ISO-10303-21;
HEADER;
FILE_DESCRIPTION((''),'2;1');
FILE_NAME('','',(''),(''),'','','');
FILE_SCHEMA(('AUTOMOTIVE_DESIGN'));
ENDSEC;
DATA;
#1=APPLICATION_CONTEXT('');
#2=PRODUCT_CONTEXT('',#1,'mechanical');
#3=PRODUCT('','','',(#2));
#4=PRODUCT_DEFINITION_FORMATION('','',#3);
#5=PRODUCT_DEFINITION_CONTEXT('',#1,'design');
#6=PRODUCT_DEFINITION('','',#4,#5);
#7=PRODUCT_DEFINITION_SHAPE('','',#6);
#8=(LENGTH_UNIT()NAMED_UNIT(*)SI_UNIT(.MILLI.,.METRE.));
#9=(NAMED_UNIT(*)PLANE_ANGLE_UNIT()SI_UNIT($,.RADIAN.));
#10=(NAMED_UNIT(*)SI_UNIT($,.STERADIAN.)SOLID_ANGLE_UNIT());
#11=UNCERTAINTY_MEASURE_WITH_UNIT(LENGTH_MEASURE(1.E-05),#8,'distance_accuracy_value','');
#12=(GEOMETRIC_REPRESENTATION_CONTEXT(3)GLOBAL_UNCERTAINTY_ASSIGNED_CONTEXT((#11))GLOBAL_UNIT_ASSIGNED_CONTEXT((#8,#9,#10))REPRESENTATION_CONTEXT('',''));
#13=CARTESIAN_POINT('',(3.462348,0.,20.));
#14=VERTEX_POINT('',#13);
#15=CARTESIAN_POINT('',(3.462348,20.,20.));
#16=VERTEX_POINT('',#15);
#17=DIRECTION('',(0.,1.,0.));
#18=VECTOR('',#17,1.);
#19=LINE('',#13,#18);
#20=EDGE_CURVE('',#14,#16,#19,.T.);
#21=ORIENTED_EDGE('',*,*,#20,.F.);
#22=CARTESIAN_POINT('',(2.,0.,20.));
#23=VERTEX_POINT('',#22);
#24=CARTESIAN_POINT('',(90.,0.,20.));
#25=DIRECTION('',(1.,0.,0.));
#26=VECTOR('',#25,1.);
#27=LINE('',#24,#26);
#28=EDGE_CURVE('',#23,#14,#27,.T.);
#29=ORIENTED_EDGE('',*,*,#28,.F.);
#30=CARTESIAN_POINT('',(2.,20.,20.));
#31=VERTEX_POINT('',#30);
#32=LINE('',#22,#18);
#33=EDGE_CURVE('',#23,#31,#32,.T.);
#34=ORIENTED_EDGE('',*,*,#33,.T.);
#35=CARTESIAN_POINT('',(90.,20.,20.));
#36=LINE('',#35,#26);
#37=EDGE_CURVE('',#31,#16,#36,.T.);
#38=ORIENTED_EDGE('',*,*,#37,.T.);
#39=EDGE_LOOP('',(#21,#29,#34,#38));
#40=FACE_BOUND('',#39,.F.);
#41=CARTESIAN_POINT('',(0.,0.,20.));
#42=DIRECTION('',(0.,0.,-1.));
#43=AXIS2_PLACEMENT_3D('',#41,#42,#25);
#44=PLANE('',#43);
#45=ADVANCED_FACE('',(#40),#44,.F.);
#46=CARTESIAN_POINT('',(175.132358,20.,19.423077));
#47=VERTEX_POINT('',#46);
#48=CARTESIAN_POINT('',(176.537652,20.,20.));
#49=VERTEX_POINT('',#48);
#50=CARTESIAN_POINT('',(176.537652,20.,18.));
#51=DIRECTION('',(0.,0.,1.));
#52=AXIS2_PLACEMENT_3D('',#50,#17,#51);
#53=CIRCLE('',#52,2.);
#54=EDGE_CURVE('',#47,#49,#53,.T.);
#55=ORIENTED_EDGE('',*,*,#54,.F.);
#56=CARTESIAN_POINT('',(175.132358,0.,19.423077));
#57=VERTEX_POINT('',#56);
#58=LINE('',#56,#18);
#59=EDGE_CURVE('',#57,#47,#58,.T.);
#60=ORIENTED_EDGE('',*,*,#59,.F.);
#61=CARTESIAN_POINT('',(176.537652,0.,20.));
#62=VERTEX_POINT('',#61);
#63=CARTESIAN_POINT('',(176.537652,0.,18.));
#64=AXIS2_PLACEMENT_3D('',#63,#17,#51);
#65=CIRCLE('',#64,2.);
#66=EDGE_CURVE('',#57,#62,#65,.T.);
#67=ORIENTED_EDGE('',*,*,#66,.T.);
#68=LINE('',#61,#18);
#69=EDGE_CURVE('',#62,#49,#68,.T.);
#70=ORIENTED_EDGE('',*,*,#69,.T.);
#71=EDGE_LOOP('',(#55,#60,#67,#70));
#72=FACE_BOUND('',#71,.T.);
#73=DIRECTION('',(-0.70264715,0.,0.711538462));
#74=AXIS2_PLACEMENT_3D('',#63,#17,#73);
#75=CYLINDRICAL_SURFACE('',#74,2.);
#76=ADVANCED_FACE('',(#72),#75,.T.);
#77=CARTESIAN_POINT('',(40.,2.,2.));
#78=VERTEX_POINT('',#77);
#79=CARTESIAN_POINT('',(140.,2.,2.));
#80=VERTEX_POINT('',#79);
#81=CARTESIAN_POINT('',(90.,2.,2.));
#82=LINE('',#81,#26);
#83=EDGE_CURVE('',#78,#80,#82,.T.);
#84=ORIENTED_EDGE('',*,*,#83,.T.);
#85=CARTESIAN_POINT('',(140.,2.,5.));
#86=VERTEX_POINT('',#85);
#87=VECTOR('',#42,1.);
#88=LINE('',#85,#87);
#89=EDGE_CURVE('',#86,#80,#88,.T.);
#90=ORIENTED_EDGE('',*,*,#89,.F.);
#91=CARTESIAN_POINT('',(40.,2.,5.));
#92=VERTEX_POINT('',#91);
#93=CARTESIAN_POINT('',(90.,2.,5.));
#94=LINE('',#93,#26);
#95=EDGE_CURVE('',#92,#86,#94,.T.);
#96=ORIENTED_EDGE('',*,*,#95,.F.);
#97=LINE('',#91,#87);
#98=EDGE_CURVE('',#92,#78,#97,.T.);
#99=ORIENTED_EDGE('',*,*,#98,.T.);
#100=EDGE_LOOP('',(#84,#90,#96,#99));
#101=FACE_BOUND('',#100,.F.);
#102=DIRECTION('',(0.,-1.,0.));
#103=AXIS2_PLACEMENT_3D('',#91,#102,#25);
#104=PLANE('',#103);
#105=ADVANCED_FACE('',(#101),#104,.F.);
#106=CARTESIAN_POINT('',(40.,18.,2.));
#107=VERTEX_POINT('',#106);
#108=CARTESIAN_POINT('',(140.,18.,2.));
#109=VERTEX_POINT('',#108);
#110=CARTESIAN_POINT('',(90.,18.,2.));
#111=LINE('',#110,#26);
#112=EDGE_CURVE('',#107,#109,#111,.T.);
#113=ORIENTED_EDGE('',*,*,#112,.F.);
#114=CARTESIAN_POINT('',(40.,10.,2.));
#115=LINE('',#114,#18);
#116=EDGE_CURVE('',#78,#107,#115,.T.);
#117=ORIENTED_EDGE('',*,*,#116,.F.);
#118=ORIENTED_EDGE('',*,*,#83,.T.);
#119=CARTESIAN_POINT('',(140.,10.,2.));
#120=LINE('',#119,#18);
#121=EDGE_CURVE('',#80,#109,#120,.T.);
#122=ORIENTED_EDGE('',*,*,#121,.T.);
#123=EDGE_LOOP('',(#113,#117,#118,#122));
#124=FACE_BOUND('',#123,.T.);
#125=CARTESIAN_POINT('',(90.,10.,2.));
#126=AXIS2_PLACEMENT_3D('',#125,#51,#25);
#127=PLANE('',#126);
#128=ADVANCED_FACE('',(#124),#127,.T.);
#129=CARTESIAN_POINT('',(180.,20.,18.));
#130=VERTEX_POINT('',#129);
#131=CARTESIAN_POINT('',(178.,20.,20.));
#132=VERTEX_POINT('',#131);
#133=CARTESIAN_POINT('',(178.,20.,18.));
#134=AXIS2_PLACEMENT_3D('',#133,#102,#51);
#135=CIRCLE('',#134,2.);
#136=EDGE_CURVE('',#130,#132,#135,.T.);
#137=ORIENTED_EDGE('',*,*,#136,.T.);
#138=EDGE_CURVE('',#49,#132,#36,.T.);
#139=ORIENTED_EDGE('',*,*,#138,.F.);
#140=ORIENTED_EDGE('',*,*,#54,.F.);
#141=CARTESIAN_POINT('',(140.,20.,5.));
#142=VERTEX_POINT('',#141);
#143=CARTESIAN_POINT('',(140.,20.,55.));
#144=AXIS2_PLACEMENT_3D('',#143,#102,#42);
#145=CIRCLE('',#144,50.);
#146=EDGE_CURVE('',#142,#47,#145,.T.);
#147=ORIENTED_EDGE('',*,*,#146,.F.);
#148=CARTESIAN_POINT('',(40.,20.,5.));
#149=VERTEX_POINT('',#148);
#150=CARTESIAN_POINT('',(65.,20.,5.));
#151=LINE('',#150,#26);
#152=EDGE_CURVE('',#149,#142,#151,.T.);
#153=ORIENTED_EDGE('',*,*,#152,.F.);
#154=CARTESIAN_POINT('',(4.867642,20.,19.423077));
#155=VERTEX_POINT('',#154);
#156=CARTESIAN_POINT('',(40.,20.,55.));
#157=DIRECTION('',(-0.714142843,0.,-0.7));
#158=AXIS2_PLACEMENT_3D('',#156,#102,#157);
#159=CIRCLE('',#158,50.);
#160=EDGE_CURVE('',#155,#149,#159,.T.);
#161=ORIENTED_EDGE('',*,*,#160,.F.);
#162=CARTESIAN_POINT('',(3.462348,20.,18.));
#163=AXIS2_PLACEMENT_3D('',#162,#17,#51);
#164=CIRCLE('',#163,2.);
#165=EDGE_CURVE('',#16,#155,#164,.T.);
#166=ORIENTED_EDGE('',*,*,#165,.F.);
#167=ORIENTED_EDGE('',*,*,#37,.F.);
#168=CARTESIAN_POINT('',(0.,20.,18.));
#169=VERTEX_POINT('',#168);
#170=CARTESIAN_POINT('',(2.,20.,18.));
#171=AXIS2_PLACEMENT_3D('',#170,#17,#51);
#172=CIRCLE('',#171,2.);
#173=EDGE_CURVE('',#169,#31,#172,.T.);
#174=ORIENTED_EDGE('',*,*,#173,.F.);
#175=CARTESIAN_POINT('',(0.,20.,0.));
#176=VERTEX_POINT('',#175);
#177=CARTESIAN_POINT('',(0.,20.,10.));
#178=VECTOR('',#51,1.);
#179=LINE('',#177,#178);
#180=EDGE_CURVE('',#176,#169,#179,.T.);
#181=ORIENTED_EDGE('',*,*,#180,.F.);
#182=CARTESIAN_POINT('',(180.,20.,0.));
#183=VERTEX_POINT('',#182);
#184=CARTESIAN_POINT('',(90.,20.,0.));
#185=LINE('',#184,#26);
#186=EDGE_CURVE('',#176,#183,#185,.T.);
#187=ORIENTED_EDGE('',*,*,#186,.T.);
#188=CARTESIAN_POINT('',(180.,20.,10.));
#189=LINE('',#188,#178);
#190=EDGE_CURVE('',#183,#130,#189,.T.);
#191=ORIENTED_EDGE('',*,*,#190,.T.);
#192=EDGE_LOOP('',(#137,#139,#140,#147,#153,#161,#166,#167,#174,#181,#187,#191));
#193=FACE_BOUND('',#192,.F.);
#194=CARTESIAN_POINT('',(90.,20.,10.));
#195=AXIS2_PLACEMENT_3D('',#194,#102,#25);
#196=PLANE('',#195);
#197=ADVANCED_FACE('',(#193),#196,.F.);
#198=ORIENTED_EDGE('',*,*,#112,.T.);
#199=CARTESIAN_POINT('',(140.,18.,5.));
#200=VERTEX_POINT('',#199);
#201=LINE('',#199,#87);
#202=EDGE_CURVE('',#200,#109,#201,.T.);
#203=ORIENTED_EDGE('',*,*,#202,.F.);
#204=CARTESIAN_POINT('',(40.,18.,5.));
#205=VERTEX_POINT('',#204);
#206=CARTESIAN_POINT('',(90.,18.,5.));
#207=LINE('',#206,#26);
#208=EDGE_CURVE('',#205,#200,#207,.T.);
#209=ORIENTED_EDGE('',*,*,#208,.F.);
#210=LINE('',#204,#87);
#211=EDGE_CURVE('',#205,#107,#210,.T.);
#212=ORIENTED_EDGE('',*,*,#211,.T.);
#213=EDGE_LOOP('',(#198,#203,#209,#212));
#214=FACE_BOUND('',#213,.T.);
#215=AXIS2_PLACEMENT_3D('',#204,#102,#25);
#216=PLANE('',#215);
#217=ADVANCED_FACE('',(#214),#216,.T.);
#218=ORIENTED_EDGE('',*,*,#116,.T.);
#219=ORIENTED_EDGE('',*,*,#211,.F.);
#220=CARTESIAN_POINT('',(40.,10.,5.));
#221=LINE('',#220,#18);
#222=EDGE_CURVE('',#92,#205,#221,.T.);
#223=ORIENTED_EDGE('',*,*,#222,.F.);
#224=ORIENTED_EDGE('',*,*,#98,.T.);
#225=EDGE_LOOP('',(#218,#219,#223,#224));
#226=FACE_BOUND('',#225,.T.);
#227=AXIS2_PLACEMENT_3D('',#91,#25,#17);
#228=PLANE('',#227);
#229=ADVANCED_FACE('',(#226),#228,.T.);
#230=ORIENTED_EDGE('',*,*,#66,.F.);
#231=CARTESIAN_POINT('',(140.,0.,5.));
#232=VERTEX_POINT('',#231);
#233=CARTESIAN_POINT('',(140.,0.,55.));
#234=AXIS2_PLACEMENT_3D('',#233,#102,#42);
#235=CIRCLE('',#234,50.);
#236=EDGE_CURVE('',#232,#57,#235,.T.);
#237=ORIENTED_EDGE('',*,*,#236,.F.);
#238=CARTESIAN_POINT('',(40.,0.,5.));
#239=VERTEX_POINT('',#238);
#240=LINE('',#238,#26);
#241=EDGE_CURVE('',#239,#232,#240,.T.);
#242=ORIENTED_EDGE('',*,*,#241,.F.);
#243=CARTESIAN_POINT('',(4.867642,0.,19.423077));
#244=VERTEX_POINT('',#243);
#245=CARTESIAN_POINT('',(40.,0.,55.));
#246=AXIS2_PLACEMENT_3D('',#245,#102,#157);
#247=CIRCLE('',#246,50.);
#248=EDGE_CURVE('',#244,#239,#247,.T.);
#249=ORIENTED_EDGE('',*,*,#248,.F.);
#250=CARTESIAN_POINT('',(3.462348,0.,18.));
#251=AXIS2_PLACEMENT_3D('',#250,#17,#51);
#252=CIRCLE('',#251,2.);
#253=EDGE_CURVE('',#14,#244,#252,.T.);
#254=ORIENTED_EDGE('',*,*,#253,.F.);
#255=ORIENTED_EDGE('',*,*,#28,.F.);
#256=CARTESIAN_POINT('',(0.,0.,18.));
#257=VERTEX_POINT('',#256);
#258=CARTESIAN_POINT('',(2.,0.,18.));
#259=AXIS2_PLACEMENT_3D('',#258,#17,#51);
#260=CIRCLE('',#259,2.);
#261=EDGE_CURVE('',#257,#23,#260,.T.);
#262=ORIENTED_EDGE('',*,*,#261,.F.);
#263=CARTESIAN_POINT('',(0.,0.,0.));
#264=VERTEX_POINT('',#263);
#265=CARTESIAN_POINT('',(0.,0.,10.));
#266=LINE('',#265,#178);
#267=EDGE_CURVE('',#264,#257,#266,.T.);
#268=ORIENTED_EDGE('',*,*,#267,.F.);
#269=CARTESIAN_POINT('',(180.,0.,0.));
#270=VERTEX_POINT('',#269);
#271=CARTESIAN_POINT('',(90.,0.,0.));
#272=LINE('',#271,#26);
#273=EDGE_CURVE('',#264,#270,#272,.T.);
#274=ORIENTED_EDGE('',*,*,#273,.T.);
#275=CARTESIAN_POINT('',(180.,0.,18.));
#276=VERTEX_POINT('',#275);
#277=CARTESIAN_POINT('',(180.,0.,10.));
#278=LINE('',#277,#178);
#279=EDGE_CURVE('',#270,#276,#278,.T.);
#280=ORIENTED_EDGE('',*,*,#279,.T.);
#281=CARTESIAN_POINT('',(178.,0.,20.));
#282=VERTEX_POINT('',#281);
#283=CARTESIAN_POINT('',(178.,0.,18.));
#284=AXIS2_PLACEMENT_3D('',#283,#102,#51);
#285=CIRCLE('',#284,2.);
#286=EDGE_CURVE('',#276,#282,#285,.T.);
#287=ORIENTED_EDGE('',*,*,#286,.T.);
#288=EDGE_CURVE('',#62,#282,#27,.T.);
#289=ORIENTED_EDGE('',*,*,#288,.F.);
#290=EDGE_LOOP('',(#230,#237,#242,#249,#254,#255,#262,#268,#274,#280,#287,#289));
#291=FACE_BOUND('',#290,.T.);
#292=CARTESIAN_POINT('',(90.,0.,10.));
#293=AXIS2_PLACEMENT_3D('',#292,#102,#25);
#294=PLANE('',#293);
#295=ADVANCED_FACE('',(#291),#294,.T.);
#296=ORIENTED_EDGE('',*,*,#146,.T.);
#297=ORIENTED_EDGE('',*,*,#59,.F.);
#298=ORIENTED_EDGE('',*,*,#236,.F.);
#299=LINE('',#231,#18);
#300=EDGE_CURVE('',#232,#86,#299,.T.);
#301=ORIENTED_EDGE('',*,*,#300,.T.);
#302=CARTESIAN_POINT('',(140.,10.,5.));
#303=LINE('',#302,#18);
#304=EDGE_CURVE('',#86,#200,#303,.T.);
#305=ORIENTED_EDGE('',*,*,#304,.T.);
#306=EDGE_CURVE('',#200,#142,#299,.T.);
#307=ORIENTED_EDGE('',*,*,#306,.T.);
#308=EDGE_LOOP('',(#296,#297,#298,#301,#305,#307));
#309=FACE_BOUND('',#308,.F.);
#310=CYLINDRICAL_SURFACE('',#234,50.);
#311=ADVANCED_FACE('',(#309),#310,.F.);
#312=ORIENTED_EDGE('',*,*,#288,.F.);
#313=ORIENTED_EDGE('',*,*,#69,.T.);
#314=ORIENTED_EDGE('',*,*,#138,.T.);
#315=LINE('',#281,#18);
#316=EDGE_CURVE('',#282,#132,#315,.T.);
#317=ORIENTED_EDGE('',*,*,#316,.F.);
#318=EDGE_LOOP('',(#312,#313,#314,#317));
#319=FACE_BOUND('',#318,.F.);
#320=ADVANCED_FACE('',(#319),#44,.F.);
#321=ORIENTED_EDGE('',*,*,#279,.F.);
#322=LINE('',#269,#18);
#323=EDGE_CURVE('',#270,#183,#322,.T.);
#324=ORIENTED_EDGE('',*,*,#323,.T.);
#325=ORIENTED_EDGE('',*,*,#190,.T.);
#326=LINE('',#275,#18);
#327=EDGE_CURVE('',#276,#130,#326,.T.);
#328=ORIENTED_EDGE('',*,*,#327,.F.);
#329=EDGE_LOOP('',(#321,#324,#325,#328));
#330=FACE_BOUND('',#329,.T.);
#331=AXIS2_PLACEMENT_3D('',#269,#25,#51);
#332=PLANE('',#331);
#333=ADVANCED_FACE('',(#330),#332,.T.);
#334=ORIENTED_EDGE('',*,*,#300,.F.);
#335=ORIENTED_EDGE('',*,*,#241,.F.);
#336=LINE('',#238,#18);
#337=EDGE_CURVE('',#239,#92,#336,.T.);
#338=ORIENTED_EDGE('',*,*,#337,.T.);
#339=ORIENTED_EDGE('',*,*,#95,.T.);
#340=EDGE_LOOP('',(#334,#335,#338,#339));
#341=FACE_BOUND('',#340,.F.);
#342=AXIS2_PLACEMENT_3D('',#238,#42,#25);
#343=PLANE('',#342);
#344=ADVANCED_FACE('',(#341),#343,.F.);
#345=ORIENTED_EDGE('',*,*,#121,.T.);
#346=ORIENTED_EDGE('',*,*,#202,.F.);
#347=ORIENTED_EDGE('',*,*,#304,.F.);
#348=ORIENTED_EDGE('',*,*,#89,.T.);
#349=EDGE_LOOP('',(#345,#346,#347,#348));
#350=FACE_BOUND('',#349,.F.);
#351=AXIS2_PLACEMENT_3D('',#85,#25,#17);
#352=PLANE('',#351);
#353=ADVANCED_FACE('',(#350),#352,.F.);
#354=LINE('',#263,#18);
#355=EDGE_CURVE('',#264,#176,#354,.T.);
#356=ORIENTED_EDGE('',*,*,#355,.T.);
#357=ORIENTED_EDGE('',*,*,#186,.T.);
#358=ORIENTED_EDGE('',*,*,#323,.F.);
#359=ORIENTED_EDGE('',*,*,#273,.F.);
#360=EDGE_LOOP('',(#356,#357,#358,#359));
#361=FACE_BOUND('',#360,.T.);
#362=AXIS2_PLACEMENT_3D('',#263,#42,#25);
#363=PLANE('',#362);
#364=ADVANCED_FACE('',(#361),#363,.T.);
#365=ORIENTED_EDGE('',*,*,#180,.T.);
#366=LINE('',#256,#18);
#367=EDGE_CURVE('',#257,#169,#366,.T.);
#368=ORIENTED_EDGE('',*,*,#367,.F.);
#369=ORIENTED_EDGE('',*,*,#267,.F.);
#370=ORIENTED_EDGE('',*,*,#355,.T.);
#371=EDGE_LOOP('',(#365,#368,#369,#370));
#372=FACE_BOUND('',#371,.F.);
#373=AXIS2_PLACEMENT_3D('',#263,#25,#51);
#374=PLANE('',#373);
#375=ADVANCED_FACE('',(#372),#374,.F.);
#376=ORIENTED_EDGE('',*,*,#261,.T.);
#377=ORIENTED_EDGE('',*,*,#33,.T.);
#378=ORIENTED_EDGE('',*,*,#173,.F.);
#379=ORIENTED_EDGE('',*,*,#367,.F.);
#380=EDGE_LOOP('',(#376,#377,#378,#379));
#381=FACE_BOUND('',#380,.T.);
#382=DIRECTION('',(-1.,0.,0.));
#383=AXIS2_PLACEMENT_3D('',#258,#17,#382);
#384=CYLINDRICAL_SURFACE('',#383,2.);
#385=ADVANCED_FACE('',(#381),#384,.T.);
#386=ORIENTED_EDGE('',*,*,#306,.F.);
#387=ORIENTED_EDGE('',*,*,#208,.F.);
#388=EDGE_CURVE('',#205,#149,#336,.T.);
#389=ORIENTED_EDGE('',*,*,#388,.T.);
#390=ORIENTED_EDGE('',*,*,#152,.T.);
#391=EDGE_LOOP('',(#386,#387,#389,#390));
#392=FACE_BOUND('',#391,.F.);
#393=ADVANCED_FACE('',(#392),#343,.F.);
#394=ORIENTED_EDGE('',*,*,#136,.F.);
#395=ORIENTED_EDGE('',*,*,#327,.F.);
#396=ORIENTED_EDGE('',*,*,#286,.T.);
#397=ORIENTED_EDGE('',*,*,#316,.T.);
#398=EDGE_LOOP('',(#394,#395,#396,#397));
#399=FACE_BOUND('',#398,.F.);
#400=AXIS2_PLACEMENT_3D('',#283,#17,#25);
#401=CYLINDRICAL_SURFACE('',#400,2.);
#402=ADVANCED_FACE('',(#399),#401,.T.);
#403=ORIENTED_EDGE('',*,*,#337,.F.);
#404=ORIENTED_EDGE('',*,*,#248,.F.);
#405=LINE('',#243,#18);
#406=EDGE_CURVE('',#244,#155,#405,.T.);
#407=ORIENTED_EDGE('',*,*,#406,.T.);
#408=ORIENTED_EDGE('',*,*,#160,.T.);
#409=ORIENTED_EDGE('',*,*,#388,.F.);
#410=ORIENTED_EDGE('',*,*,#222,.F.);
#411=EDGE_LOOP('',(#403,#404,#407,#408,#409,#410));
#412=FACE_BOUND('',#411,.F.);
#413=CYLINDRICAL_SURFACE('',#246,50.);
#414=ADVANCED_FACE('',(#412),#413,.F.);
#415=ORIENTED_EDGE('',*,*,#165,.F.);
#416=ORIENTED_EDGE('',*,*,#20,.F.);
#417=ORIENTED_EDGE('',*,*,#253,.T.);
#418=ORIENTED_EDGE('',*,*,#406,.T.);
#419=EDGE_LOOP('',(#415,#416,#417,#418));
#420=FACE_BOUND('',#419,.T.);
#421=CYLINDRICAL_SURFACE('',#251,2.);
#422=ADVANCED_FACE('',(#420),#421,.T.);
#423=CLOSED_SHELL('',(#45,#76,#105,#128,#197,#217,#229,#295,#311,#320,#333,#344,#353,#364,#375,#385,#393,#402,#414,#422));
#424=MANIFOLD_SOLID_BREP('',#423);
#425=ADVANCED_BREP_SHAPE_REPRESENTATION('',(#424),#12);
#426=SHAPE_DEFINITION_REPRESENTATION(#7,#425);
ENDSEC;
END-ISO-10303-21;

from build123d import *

# Parameters (mm, degrees)
F0_W     = 180
F0_H     = 20
F1_DEPTH = 20
F3_DEPTH = 25
F4_R     = 2
F5_W     = 100
F5_H     = 16
F6_DEPTH = 3


with BuildPart() as f1:
    # F0 (on Front) → F1 (new body)
    with BuildSketch(Plane.XZ):
        with Locations((90, 10)):
            Rectangle(F0_W, F0_H)
    extrude(amount=-F1_DEPTH)

    # F2 (on face) → F3 (cut)
    with BuildSketch(Plane.XZ):
        with BuildLine():
            Line((75.7071421427, 20), (4.2928578573, 20))
            ThreePointArc((4.2928578573, 20), (20.635083269, 8.9022777135), (40, 5))
            ThreePointArc((40, 5), (59.364916731, 8.9022777135), (75.7071421427, 20))
        make_face()
        with BuildLine():
            Line((175.7071421427, 20), (104.2928578573, 20))
            ThreePointArc((104.2928578573, 20), (120.635083269, 8.9022777135), (140, 5))
            ThreePointArc((140, 5), (159.364916731, 8.9022777135), (175.7071421427, 20))
        make_face()
        with BuildLine():
            Line((104.2928578573, 20), (75.7071421427, 20))
            ThreePointArc((75.7071421427, 20), (59.364916731, 8.9022777135), (40, 5))
            Line((40, 5), (140, 5))
            ThreePointArc((140, 5), (120.635083269, 8.9022777135), (104.2928578573, 20))
        make_face()
    extrude(amount=-F3_DEPTH, mode=Mode.SUBTRACT)

    # F4
    f4_edges = [f1.edges().sort_by_distance(p)[0] for p in [
        (0, 10, 20),
        (4.292858, 10, 20),
        (175.707142, 10, 20),
        (180, 10, 20),
    ]]
    fillet(f4_edges, radius=F4_R)

    # F5 (on face) → F6 (cut)
    with BuildSketch(Plane.XY.offset(5)):
        with Locations((90, 10)):
            Rectangle(F5_W, F5_H)
    extrude(amount=-F6_DEPTH, mode=Mode.SUBTRACT)


solid = f1.part
